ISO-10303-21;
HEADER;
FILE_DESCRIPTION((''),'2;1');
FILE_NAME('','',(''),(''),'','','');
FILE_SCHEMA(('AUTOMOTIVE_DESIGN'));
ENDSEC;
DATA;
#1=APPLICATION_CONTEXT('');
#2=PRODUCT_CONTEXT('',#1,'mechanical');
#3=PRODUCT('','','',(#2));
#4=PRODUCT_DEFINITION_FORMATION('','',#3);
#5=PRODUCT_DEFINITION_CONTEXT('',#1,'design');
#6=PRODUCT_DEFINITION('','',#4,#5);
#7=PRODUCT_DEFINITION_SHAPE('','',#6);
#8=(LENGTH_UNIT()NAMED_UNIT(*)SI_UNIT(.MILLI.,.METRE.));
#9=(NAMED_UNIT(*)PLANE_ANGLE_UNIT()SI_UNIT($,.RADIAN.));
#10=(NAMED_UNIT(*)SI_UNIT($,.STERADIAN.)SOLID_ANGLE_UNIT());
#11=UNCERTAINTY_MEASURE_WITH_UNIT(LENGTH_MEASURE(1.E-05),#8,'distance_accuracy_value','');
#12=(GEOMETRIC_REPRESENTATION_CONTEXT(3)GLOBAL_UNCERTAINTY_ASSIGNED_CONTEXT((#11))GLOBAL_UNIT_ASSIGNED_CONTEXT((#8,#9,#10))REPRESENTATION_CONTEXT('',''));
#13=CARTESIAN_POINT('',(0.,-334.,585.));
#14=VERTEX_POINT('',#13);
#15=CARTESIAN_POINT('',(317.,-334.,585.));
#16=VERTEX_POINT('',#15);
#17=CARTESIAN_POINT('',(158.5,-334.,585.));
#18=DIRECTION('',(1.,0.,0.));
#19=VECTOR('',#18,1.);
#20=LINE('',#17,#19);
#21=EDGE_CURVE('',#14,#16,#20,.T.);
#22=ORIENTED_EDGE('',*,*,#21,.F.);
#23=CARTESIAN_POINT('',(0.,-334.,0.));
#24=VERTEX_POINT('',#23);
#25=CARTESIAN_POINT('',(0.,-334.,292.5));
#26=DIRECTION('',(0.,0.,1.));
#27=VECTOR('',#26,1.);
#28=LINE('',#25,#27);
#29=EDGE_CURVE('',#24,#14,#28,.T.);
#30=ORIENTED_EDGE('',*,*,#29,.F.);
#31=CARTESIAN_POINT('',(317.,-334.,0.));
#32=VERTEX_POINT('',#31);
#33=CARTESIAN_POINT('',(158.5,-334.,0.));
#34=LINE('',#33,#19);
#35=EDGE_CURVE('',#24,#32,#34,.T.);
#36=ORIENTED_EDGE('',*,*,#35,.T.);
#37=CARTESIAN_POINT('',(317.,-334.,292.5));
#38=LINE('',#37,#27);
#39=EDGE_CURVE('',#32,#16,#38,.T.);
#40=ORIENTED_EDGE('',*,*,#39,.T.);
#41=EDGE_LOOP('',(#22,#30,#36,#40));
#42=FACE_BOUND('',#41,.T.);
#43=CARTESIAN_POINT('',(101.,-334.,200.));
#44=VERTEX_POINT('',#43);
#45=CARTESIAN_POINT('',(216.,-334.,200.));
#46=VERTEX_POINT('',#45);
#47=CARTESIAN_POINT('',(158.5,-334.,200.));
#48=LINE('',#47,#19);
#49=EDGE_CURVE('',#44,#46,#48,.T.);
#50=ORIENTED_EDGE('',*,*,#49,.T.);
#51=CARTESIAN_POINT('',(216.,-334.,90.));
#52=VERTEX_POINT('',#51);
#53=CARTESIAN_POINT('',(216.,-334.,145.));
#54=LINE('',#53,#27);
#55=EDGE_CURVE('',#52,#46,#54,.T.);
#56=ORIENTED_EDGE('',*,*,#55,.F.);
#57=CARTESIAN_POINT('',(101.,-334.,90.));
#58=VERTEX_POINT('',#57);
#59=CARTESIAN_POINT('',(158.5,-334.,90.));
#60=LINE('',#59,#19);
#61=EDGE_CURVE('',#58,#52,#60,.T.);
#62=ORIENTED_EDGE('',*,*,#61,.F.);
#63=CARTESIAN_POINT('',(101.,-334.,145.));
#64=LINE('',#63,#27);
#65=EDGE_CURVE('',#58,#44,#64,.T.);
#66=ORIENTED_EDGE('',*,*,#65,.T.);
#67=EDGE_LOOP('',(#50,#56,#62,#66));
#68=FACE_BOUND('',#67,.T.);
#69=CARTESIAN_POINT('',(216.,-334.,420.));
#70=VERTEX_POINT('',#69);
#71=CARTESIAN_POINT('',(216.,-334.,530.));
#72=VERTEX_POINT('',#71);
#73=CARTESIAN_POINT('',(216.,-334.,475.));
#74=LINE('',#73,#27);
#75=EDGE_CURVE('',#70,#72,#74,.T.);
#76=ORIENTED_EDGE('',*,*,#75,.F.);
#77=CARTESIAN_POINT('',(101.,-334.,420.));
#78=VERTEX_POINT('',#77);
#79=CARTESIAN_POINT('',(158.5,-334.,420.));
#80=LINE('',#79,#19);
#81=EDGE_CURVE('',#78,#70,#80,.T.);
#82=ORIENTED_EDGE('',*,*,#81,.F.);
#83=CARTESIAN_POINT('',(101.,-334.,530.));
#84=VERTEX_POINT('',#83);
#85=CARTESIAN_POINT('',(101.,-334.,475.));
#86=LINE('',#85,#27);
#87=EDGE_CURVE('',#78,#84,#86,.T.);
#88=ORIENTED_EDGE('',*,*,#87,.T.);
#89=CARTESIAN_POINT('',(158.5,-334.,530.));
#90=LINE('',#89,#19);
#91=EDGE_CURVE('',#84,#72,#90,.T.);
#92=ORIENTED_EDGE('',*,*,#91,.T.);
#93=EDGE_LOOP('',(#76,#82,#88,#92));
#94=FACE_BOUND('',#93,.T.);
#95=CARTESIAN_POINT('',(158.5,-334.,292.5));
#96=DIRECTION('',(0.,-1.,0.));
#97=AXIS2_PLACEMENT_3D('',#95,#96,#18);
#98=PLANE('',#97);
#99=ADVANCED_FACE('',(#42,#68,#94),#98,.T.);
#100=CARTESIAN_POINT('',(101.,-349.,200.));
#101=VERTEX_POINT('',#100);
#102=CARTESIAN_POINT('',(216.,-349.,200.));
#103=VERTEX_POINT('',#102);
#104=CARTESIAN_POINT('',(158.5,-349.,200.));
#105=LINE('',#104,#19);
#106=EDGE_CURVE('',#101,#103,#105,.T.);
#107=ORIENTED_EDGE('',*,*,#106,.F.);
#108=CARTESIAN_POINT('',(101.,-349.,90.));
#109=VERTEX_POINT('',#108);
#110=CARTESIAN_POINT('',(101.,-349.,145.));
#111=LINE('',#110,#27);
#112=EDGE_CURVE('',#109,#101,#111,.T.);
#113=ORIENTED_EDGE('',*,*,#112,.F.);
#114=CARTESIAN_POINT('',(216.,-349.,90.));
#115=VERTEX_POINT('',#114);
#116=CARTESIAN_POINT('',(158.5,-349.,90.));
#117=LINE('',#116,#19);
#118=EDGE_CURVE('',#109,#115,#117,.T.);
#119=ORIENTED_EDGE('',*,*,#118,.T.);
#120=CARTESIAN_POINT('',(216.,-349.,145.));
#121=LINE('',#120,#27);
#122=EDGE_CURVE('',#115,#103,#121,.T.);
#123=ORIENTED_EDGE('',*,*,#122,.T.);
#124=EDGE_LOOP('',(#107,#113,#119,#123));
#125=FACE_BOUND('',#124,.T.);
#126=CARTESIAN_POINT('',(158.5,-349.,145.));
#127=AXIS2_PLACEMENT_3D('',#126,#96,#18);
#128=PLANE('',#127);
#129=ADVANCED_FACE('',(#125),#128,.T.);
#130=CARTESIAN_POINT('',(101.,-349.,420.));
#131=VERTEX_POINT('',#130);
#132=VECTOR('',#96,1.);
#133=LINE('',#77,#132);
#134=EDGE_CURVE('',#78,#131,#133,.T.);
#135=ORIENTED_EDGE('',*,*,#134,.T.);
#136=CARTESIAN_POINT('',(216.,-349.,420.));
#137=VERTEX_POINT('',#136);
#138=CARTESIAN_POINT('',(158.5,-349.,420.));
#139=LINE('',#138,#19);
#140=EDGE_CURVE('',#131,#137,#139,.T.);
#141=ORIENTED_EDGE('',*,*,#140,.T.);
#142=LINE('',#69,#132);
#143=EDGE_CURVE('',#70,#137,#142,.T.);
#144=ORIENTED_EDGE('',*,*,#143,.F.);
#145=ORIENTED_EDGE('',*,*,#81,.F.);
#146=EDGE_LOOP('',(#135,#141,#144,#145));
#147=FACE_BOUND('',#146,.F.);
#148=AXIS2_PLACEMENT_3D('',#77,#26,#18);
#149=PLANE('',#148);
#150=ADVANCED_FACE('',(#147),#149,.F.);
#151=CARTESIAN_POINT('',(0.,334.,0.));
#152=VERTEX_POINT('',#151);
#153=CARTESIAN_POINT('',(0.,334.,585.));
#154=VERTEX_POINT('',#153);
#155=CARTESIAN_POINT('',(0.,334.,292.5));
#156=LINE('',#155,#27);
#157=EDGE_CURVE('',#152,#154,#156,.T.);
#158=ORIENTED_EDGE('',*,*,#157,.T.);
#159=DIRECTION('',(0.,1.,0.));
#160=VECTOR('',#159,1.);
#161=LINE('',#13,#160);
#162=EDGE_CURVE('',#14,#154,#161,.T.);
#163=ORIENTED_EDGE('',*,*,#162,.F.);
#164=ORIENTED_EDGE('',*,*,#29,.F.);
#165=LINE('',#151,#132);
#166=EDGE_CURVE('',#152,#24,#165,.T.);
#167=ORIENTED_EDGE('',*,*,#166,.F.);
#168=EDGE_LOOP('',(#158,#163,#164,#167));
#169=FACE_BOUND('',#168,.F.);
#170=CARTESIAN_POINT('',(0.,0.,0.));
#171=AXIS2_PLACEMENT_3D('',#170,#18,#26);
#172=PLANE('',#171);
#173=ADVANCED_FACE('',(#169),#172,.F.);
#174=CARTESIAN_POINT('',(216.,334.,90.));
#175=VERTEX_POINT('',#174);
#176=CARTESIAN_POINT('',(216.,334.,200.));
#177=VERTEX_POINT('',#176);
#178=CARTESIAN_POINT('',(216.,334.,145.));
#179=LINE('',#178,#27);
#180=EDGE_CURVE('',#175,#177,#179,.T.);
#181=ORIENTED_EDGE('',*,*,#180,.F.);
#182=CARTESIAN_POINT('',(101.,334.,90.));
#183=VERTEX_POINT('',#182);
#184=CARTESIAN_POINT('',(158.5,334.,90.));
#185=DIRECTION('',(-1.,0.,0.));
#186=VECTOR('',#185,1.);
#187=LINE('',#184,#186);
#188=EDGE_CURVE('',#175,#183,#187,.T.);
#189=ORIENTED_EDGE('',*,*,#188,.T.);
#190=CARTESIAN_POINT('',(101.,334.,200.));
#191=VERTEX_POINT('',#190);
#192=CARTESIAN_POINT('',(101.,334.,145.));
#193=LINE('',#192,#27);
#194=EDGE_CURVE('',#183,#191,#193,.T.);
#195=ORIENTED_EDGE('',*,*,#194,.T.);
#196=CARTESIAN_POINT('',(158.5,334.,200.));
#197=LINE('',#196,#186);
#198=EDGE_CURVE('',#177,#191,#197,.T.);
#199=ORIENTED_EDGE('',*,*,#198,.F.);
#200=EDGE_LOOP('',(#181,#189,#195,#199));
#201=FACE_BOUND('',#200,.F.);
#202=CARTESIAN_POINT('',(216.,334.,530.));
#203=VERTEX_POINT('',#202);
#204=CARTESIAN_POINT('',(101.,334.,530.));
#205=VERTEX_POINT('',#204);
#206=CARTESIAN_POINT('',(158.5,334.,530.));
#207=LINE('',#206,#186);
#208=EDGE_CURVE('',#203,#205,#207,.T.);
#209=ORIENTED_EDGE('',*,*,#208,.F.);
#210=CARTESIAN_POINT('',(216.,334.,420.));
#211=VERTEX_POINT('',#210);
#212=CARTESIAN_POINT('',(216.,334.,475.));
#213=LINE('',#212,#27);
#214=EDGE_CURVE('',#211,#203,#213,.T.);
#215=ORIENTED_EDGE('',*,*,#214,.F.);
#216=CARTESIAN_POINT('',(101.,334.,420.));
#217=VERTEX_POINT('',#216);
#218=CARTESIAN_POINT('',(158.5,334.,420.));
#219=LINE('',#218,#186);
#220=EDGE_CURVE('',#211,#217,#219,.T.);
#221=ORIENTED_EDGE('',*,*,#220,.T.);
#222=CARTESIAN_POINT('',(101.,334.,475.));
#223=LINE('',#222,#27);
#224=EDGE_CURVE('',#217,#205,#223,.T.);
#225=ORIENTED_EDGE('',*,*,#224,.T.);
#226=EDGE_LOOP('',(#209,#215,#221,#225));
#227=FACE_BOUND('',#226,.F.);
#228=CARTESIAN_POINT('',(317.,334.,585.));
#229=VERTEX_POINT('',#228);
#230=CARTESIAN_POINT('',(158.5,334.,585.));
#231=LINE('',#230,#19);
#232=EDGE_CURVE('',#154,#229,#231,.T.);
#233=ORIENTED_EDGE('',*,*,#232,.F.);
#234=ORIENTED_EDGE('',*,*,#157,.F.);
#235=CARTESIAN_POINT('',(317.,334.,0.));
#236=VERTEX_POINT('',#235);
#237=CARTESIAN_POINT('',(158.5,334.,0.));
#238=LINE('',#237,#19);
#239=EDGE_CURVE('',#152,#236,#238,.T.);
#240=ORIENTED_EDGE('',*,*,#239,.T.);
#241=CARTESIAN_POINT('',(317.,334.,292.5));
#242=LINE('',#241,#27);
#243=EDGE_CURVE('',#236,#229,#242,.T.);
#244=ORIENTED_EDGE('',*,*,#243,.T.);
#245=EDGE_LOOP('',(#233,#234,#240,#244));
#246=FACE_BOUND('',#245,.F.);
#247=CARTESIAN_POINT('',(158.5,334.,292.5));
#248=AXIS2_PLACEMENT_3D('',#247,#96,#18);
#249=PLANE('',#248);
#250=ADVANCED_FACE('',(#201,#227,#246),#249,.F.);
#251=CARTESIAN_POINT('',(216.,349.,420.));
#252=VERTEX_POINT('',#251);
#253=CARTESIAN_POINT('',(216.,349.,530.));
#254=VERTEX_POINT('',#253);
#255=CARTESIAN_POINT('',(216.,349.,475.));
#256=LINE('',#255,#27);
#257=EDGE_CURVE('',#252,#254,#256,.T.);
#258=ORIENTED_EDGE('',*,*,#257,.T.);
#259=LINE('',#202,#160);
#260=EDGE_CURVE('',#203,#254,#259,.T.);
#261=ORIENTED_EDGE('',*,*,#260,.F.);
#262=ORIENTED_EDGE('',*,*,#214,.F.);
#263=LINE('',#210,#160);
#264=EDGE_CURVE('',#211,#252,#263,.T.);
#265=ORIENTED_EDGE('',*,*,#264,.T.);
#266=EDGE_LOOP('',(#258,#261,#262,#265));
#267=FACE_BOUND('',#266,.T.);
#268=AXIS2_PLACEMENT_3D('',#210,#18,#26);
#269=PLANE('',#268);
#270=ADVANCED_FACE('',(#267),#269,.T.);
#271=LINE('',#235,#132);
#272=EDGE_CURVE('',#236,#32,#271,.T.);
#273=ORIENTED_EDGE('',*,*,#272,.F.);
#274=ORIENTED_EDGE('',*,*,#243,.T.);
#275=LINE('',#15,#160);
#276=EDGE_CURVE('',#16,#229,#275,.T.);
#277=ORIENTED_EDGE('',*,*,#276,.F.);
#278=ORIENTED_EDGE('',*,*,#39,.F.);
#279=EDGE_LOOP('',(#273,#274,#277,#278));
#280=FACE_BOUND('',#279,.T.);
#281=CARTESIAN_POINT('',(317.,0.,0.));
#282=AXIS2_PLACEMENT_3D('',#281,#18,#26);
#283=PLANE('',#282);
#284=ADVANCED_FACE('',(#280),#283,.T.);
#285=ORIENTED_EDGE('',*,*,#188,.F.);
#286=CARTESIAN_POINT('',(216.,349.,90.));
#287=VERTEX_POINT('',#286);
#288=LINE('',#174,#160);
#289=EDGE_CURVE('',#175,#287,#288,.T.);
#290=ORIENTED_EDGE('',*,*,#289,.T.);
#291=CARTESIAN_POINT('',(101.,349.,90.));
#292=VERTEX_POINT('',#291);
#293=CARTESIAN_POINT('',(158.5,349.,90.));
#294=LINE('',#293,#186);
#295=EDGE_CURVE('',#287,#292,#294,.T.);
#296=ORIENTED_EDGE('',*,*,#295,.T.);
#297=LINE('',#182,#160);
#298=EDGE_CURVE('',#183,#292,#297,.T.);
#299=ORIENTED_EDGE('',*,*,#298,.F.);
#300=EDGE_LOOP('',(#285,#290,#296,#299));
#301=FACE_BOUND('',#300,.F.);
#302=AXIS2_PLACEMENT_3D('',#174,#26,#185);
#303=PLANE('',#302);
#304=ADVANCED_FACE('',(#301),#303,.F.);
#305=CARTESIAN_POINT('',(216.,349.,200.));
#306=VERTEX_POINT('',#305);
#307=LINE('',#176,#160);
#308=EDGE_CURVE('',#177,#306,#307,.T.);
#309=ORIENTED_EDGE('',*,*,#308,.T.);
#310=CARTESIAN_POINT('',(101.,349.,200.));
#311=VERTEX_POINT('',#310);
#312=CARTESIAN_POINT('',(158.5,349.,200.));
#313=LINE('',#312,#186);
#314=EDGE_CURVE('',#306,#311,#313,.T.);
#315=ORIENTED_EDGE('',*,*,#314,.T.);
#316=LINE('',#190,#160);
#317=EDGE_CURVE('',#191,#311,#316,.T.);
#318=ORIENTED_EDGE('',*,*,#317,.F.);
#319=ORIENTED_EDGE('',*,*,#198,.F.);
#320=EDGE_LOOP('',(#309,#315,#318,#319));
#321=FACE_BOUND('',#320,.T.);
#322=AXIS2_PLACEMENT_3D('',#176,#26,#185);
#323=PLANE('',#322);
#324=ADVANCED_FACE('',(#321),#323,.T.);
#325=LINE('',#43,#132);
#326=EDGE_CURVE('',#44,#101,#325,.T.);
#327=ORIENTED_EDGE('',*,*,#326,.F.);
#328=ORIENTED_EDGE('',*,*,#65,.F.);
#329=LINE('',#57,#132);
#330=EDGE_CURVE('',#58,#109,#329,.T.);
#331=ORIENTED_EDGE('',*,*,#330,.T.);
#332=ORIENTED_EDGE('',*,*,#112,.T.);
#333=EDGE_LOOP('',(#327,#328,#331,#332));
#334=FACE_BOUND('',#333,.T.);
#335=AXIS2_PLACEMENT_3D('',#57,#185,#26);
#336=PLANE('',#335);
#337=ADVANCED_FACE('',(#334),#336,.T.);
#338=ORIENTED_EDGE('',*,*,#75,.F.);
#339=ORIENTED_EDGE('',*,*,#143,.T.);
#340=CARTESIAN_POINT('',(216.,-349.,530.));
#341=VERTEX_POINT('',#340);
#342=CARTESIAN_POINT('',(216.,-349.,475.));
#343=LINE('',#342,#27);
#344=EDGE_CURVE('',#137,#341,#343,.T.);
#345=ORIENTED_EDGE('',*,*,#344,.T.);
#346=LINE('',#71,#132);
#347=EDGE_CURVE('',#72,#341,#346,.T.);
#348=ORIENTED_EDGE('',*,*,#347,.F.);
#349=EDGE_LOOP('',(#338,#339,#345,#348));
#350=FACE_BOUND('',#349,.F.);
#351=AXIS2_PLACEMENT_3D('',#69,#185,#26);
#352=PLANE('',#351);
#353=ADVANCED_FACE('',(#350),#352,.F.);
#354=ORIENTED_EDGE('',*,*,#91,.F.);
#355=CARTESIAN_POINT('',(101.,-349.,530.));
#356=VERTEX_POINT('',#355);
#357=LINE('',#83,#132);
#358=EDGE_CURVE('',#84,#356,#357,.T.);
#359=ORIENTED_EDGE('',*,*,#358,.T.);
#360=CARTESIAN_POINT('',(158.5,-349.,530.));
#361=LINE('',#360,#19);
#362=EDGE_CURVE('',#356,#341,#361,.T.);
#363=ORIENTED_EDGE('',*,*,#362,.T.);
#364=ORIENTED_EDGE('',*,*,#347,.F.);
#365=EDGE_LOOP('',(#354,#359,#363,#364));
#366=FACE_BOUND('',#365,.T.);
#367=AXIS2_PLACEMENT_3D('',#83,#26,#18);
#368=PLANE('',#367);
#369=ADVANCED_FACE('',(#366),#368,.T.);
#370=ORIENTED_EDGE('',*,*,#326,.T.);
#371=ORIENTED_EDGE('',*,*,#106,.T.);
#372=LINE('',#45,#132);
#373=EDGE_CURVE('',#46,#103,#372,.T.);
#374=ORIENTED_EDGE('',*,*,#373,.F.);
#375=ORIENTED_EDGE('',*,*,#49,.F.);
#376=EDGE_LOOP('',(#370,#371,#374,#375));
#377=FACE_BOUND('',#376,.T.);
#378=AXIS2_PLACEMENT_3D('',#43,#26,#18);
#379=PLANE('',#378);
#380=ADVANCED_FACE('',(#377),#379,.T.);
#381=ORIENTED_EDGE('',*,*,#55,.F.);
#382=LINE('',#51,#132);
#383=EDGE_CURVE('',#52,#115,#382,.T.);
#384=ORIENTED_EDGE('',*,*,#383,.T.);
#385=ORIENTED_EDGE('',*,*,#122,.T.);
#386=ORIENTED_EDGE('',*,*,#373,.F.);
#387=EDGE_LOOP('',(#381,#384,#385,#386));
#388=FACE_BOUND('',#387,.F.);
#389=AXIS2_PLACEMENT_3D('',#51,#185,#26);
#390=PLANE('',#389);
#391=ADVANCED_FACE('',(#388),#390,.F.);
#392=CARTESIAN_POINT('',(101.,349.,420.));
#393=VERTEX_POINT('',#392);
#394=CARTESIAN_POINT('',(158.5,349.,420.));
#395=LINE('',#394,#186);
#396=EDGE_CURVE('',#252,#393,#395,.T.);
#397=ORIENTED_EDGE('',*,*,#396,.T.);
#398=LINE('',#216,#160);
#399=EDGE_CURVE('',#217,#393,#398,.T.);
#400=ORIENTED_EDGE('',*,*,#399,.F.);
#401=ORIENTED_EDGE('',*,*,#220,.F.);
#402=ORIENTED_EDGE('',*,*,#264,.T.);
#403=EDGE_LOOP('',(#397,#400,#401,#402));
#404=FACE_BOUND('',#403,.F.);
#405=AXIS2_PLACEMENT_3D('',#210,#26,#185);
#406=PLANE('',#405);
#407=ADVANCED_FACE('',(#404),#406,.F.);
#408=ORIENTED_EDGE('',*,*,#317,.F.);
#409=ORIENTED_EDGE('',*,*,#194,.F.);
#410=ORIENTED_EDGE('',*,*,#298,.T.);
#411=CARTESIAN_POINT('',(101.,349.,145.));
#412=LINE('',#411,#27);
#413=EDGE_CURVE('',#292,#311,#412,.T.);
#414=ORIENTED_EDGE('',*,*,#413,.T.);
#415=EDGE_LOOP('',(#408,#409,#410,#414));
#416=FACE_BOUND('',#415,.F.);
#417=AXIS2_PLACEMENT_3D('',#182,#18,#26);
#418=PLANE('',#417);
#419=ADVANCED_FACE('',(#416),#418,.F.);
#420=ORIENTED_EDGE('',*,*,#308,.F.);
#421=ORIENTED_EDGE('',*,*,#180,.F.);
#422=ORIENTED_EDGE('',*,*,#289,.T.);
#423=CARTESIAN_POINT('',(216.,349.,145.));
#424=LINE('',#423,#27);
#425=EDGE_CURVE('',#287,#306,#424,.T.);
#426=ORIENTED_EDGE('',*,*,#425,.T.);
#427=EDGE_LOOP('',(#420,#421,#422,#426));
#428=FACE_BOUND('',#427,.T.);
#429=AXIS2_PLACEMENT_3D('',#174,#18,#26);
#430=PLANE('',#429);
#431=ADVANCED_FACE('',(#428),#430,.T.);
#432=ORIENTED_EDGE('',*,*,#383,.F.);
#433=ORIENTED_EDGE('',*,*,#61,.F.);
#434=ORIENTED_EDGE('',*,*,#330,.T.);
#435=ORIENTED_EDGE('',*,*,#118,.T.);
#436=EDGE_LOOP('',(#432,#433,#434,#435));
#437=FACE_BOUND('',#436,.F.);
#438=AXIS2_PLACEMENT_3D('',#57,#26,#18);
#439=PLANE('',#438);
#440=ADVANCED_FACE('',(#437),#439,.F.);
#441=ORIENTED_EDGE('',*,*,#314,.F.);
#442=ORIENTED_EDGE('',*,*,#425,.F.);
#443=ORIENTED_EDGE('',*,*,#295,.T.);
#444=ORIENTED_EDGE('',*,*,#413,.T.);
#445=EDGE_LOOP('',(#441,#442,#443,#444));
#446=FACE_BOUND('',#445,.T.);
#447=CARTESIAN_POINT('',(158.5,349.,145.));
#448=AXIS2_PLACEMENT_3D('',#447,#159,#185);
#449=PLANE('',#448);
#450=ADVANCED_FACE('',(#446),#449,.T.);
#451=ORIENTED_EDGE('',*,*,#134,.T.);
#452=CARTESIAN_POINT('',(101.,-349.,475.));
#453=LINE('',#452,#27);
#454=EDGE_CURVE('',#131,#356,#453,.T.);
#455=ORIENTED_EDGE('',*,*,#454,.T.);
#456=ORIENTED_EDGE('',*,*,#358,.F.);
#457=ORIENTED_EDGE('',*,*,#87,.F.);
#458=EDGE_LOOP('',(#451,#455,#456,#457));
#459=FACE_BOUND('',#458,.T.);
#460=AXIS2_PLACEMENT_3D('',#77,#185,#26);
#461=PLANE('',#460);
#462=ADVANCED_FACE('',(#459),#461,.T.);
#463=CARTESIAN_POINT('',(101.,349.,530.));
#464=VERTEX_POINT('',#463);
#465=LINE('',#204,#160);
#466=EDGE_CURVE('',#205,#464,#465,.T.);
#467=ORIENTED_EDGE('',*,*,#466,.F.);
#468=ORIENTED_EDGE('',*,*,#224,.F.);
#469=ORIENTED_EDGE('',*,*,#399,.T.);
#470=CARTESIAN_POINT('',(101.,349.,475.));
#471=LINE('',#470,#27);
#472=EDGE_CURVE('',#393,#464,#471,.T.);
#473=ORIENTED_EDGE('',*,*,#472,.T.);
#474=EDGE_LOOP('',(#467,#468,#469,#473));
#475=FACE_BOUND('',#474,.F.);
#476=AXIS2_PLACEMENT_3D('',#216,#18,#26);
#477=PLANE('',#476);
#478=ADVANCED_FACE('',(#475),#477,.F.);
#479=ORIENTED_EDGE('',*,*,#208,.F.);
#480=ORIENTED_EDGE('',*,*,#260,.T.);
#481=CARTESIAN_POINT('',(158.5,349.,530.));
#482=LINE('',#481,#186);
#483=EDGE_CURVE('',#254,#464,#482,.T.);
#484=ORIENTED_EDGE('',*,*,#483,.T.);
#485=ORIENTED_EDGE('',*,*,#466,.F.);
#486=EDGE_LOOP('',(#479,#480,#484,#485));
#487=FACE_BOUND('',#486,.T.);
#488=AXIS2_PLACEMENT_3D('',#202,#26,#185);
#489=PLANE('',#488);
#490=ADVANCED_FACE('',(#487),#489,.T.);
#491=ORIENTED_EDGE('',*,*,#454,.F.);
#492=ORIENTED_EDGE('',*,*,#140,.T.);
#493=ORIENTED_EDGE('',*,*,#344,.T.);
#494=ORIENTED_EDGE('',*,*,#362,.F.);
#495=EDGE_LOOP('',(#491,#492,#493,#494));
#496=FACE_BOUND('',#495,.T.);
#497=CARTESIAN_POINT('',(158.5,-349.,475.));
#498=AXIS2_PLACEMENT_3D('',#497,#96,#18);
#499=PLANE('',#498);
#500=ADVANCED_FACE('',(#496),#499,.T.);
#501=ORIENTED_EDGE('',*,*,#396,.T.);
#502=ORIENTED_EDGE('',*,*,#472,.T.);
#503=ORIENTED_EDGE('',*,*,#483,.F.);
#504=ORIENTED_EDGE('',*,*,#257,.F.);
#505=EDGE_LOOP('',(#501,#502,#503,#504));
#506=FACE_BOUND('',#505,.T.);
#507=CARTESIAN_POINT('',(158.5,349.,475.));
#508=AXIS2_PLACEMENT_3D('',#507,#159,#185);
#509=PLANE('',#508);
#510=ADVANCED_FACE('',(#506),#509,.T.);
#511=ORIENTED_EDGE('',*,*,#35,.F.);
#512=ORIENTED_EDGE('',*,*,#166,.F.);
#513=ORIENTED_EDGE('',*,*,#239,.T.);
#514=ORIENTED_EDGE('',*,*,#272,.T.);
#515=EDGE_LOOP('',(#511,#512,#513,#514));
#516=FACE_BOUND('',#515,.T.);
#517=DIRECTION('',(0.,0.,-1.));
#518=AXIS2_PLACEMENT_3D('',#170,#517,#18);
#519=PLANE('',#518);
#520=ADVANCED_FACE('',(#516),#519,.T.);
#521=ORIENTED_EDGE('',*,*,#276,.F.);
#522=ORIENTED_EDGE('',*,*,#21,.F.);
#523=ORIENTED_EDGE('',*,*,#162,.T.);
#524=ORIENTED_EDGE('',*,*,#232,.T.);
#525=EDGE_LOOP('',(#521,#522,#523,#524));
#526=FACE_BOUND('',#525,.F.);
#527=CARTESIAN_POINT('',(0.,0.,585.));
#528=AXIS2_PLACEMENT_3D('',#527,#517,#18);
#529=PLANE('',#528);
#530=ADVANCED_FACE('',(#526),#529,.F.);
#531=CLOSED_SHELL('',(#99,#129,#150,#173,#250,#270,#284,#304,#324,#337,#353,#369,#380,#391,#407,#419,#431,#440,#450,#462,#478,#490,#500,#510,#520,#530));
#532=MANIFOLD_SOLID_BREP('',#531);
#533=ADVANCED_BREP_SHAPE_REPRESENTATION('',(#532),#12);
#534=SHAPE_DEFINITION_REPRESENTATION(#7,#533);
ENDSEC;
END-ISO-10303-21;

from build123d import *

# Parameters (mm, degrees)
F0_W     = 317
F0_H     = 585
F1_DEPTH = 334
F2_W     = 115
F2_H     = 110
F3_DEPTH = 15
F4_W     = 115
F4_H     = 110
F5_DEPTH = 15


with BuildPart() as f1:
    # F0 (on Front) → F1 (new body, symmetric)
    with BuildSketch(Plane.XZ):
        with Locations((158.5, 292.5)):
            Rectangle(F0_W, F0_H)
    extrude(amount=F1_DEPTH, both=True)

    # F2 (on face) → F3 (join)
    with BuildSketch(Plane.XZ.offset(334)):
        with Locations((158.5, 475)):
            Rectangle(F2_W, F2_H)
        with Locations((158.5, 145)):
            Rectangle(F2_W, F2_H)
    extrude(amount=F3_DEPTH)

    # F4 (on face) → F5 (join)
    with BuildSketch(Plane(origin=(0, 334, 0), x_dir=(-1, 0, 0), z_dir=(0, 1, 0))):
        with Locations((-158.5, 475)):
            Rectangle(F4_W, F4_H)
        with Locations((-158.5, 145)):
            Rectangle(F4_W, F4_H)
    extrude(amount=F5_DEPTH)


solid = f1.part
